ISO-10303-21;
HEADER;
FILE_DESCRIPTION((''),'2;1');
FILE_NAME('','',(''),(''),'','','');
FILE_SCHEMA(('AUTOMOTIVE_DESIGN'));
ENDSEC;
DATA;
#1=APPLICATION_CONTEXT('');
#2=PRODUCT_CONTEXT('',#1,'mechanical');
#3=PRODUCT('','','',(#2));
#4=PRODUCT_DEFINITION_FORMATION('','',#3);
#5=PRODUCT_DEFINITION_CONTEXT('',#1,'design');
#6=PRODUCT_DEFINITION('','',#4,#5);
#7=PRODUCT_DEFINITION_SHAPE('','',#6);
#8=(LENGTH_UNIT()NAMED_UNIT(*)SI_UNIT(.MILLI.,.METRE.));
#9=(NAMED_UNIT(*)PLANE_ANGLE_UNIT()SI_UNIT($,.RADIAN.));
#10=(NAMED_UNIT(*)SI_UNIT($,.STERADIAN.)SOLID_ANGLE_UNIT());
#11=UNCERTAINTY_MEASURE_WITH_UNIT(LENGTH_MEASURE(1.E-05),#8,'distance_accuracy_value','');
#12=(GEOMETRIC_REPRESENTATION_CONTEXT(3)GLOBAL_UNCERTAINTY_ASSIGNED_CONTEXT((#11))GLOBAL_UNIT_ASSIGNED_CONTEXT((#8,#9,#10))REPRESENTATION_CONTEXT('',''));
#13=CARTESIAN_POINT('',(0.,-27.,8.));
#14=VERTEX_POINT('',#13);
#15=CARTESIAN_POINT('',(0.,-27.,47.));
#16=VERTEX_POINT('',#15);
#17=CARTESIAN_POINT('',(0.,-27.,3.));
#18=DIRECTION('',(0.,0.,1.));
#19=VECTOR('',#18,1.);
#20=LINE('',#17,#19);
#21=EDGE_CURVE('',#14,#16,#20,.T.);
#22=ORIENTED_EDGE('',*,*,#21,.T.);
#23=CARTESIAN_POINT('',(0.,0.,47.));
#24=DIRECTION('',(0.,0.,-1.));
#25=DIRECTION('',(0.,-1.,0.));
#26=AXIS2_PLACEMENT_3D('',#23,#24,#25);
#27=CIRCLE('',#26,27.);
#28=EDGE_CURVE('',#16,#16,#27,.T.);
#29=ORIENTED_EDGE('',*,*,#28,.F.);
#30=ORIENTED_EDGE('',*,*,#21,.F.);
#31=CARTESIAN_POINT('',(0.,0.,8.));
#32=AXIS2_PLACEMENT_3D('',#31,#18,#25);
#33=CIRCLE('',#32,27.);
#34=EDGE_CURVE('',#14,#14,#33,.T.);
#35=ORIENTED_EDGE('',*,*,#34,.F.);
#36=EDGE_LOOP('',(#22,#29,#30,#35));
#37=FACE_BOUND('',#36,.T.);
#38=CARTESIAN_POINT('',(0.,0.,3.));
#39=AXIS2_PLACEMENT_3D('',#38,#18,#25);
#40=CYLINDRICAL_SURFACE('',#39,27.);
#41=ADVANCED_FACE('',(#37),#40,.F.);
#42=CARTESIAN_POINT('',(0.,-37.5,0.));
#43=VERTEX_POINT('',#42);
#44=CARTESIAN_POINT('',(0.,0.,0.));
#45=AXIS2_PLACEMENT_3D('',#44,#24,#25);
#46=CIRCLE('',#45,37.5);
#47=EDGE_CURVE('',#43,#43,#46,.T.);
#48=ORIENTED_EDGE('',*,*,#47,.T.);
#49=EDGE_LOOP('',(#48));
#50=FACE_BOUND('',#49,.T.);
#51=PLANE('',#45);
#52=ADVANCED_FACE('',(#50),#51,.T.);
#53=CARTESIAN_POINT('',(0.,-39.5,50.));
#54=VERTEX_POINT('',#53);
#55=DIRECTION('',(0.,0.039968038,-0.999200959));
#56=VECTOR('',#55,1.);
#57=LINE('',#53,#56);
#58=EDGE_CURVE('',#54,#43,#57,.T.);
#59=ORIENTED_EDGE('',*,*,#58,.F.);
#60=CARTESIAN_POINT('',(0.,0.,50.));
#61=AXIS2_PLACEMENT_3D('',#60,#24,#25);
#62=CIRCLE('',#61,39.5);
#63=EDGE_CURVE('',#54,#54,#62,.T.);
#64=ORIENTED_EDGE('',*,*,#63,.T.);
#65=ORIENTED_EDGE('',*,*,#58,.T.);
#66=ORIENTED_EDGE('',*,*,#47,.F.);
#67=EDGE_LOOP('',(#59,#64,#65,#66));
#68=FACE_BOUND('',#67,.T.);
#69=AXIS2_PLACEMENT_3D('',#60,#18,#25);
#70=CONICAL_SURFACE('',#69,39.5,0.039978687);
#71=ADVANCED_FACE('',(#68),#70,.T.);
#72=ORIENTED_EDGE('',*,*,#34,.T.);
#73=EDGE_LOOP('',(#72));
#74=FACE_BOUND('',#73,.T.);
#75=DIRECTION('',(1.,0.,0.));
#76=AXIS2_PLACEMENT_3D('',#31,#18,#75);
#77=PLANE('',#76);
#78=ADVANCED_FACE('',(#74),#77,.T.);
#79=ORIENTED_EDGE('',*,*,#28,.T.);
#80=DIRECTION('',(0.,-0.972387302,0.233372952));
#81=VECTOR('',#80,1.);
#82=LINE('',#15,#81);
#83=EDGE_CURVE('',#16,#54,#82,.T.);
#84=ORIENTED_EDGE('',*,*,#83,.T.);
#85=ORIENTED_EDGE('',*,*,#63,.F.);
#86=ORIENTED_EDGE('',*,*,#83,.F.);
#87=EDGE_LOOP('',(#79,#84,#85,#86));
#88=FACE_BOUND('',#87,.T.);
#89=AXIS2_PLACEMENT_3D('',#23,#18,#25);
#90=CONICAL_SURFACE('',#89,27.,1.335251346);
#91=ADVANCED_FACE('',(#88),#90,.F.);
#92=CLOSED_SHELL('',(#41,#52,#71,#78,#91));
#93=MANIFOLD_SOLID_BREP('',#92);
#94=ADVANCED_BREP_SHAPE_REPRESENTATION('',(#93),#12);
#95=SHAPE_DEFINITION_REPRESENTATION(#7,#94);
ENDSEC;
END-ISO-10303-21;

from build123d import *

# Parameters (mm, degrees)
F1_FACE_R = 27
F2_DEPTH  = 5


with BuildPart() as f1:
    # F0 (on Right) → F1 (revolve)
    with BuildSketch(Plane.YZ):
        Polygon((-27, 47), (-39.5, 50), (-37.5, 0), (0, 0), (0, 3), (-27, 3), align=None)
    revolve(axis=Axis((0, 0, 1.5), (0, 0, -1)))

    # F1_face (on face) → F2 (join)
    with BuildSketch(Plane.XY.offset(3)):
        Circle(F1_FACE_R)
    extrude(amount=F2_DEPTH)


solid = f1.part
